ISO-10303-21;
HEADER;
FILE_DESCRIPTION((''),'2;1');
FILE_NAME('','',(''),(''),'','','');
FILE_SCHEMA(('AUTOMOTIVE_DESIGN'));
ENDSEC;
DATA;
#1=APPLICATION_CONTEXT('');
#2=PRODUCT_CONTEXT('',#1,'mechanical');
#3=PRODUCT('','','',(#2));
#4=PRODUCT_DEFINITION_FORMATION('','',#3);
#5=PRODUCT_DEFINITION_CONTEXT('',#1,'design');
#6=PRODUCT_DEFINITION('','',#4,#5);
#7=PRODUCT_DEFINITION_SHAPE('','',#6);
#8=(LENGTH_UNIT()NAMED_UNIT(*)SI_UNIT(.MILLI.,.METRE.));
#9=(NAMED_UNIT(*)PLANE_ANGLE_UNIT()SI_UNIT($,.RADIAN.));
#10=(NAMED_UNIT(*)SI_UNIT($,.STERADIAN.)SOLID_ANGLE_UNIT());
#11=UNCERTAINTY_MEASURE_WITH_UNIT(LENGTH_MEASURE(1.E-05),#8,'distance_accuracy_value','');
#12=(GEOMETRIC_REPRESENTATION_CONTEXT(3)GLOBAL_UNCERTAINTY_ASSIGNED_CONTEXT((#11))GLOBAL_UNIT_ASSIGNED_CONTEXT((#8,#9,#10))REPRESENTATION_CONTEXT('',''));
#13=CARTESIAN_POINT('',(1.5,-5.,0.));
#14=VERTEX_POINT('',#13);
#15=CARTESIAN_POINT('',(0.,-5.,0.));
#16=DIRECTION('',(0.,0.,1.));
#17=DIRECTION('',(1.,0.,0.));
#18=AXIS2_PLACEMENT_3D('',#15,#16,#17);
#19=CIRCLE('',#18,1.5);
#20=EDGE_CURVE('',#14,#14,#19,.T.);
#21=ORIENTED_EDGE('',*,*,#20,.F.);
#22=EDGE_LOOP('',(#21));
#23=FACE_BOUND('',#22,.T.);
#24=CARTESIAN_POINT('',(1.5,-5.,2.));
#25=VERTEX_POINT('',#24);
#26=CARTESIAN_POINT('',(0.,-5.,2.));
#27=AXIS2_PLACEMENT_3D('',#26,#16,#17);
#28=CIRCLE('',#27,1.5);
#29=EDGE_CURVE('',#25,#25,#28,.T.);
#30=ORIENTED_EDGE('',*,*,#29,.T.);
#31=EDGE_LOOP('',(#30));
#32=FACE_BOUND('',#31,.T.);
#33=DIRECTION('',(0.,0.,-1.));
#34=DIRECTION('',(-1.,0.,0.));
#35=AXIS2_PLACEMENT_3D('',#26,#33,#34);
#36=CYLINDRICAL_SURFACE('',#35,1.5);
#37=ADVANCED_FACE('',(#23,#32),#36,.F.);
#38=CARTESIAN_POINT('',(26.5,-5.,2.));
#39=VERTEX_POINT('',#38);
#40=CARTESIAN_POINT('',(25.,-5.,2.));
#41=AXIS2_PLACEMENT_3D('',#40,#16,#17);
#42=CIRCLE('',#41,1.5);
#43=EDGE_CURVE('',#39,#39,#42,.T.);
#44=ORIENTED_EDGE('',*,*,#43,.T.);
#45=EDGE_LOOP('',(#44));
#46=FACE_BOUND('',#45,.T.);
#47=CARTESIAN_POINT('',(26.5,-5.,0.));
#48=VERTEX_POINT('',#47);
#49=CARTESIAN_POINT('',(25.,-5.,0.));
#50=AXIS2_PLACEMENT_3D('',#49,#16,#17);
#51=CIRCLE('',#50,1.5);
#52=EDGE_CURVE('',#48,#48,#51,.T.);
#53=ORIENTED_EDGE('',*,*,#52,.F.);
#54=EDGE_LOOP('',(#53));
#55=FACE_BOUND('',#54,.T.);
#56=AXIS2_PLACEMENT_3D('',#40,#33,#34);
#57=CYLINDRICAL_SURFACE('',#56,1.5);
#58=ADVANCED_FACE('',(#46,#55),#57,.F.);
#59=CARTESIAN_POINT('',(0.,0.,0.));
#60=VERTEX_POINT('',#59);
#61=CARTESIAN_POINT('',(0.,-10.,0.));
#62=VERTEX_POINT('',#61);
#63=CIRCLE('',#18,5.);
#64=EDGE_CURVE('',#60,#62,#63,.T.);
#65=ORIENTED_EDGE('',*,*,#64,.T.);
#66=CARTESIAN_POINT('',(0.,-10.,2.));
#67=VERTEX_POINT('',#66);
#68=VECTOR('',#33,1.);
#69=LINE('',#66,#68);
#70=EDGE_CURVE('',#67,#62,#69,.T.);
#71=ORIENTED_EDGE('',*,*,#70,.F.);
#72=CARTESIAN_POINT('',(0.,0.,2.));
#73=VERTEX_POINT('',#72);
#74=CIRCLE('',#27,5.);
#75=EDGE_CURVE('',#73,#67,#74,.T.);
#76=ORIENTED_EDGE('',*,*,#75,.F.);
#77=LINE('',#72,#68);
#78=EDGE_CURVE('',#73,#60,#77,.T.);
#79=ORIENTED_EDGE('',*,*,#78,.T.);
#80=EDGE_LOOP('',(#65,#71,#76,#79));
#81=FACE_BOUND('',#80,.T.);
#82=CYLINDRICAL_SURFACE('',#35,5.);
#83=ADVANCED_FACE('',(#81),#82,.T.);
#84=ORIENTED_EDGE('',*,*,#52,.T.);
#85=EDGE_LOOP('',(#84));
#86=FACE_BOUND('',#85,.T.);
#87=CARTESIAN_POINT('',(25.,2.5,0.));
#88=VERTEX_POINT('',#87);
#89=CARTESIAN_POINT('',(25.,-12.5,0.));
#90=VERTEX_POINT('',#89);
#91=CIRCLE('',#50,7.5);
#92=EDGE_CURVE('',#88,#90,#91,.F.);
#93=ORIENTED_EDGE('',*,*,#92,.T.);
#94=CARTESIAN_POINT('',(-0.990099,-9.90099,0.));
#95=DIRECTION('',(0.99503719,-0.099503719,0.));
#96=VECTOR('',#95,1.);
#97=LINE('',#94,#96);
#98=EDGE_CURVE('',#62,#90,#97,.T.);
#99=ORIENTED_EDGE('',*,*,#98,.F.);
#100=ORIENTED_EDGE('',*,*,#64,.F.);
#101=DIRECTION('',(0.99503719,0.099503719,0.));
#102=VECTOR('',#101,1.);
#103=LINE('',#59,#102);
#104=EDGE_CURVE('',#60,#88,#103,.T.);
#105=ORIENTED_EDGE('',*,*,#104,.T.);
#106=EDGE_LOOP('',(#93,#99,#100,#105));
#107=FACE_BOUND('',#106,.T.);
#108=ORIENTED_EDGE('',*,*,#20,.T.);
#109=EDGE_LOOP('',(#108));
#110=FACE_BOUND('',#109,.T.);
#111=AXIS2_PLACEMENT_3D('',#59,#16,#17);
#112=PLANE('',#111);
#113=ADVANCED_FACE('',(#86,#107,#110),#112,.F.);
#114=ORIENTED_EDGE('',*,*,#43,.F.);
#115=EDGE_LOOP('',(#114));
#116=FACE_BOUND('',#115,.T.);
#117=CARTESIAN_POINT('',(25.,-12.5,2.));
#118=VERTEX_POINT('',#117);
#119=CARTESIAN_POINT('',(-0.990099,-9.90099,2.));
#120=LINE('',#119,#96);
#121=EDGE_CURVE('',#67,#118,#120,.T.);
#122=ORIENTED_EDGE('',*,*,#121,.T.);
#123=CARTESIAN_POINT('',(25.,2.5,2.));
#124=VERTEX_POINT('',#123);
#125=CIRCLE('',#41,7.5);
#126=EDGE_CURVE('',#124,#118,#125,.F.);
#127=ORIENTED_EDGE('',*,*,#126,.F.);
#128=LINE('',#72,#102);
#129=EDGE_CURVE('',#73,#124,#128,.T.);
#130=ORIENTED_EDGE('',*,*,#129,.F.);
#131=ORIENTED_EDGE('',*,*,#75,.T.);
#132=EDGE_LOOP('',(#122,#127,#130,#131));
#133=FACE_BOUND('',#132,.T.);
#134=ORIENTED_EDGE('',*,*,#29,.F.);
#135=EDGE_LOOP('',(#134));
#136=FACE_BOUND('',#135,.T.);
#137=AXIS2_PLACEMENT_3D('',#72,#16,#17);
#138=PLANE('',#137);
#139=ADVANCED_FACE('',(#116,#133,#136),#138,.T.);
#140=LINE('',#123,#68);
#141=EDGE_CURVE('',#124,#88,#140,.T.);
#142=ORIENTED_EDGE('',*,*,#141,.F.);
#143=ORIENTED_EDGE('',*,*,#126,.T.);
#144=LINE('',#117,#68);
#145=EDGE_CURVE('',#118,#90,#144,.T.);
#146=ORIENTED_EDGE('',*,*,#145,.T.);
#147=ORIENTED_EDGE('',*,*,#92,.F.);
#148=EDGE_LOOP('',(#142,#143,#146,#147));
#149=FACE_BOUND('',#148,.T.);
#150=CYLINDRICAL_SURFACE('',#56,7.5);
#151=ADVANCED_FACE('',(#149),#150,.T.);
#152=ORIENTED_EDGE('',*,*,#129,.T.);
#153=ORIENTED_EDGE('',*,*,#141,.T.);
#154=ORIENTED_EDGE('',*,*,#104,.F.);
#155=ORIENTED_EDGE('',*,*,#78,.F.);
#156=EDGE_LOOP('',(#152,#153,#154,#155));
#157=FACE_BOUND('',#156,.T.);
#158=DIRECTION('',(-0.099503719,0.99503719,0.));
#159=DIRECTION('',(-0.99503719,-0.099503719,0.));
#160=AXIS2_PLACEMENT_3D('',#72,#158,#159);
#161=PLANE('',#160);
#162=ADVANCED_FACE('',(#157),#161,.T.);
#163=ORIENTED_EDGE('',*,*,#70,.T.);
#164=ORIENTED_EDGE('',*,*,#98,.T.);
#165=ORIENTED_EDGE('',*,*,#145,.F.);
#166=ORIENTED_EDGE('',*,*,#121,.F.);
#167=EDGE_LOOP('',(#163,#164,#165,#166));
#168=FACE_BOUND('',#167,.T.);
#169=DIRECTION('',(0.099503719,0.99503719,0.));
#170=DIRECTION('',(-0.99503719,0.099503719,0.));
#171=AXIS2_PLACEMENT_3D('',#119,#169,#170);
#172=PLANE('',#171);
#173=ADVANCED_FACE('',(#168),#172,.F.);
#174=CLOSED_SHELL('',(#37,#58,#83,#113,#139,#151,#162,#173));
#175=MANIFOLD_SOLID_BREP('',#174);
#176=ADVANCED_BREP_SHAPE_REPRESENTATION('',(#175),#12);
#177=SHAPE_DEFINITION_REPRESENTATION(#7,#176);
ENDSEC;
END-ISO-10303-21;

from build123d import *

# Parameters (mm, degrees)
SKETCH1_R           = 1.5
BOSS_EXTRUDE1_DEPTH = 2


with BuildPart() as part:
    # Sketch1 → Boss-Extrude1 (new body)
    with BuildSketch(Plane.XY):
        with BuildLine():
            Line((0, 0), (25, 2.5))
            ThreePointArc((25, 2.5), (32.5, -5), (25, -12.5))
            Line((25, -12.5), (0, -10))
            ThreePointArc((0, -10), (-5, -5), (0, 0))
        make_face()
        with Locations((0, -5)):
            Circle(SKETCH1_R, mode=Mode.SUBTRACT)
        with Locations((25, -5)):
            Circle(SKETCH1_R, mode=Mode.SUBTRACT)
    extrude(amount=BOSS_EXTRUDE1_DEPTH)


solid = part.part
